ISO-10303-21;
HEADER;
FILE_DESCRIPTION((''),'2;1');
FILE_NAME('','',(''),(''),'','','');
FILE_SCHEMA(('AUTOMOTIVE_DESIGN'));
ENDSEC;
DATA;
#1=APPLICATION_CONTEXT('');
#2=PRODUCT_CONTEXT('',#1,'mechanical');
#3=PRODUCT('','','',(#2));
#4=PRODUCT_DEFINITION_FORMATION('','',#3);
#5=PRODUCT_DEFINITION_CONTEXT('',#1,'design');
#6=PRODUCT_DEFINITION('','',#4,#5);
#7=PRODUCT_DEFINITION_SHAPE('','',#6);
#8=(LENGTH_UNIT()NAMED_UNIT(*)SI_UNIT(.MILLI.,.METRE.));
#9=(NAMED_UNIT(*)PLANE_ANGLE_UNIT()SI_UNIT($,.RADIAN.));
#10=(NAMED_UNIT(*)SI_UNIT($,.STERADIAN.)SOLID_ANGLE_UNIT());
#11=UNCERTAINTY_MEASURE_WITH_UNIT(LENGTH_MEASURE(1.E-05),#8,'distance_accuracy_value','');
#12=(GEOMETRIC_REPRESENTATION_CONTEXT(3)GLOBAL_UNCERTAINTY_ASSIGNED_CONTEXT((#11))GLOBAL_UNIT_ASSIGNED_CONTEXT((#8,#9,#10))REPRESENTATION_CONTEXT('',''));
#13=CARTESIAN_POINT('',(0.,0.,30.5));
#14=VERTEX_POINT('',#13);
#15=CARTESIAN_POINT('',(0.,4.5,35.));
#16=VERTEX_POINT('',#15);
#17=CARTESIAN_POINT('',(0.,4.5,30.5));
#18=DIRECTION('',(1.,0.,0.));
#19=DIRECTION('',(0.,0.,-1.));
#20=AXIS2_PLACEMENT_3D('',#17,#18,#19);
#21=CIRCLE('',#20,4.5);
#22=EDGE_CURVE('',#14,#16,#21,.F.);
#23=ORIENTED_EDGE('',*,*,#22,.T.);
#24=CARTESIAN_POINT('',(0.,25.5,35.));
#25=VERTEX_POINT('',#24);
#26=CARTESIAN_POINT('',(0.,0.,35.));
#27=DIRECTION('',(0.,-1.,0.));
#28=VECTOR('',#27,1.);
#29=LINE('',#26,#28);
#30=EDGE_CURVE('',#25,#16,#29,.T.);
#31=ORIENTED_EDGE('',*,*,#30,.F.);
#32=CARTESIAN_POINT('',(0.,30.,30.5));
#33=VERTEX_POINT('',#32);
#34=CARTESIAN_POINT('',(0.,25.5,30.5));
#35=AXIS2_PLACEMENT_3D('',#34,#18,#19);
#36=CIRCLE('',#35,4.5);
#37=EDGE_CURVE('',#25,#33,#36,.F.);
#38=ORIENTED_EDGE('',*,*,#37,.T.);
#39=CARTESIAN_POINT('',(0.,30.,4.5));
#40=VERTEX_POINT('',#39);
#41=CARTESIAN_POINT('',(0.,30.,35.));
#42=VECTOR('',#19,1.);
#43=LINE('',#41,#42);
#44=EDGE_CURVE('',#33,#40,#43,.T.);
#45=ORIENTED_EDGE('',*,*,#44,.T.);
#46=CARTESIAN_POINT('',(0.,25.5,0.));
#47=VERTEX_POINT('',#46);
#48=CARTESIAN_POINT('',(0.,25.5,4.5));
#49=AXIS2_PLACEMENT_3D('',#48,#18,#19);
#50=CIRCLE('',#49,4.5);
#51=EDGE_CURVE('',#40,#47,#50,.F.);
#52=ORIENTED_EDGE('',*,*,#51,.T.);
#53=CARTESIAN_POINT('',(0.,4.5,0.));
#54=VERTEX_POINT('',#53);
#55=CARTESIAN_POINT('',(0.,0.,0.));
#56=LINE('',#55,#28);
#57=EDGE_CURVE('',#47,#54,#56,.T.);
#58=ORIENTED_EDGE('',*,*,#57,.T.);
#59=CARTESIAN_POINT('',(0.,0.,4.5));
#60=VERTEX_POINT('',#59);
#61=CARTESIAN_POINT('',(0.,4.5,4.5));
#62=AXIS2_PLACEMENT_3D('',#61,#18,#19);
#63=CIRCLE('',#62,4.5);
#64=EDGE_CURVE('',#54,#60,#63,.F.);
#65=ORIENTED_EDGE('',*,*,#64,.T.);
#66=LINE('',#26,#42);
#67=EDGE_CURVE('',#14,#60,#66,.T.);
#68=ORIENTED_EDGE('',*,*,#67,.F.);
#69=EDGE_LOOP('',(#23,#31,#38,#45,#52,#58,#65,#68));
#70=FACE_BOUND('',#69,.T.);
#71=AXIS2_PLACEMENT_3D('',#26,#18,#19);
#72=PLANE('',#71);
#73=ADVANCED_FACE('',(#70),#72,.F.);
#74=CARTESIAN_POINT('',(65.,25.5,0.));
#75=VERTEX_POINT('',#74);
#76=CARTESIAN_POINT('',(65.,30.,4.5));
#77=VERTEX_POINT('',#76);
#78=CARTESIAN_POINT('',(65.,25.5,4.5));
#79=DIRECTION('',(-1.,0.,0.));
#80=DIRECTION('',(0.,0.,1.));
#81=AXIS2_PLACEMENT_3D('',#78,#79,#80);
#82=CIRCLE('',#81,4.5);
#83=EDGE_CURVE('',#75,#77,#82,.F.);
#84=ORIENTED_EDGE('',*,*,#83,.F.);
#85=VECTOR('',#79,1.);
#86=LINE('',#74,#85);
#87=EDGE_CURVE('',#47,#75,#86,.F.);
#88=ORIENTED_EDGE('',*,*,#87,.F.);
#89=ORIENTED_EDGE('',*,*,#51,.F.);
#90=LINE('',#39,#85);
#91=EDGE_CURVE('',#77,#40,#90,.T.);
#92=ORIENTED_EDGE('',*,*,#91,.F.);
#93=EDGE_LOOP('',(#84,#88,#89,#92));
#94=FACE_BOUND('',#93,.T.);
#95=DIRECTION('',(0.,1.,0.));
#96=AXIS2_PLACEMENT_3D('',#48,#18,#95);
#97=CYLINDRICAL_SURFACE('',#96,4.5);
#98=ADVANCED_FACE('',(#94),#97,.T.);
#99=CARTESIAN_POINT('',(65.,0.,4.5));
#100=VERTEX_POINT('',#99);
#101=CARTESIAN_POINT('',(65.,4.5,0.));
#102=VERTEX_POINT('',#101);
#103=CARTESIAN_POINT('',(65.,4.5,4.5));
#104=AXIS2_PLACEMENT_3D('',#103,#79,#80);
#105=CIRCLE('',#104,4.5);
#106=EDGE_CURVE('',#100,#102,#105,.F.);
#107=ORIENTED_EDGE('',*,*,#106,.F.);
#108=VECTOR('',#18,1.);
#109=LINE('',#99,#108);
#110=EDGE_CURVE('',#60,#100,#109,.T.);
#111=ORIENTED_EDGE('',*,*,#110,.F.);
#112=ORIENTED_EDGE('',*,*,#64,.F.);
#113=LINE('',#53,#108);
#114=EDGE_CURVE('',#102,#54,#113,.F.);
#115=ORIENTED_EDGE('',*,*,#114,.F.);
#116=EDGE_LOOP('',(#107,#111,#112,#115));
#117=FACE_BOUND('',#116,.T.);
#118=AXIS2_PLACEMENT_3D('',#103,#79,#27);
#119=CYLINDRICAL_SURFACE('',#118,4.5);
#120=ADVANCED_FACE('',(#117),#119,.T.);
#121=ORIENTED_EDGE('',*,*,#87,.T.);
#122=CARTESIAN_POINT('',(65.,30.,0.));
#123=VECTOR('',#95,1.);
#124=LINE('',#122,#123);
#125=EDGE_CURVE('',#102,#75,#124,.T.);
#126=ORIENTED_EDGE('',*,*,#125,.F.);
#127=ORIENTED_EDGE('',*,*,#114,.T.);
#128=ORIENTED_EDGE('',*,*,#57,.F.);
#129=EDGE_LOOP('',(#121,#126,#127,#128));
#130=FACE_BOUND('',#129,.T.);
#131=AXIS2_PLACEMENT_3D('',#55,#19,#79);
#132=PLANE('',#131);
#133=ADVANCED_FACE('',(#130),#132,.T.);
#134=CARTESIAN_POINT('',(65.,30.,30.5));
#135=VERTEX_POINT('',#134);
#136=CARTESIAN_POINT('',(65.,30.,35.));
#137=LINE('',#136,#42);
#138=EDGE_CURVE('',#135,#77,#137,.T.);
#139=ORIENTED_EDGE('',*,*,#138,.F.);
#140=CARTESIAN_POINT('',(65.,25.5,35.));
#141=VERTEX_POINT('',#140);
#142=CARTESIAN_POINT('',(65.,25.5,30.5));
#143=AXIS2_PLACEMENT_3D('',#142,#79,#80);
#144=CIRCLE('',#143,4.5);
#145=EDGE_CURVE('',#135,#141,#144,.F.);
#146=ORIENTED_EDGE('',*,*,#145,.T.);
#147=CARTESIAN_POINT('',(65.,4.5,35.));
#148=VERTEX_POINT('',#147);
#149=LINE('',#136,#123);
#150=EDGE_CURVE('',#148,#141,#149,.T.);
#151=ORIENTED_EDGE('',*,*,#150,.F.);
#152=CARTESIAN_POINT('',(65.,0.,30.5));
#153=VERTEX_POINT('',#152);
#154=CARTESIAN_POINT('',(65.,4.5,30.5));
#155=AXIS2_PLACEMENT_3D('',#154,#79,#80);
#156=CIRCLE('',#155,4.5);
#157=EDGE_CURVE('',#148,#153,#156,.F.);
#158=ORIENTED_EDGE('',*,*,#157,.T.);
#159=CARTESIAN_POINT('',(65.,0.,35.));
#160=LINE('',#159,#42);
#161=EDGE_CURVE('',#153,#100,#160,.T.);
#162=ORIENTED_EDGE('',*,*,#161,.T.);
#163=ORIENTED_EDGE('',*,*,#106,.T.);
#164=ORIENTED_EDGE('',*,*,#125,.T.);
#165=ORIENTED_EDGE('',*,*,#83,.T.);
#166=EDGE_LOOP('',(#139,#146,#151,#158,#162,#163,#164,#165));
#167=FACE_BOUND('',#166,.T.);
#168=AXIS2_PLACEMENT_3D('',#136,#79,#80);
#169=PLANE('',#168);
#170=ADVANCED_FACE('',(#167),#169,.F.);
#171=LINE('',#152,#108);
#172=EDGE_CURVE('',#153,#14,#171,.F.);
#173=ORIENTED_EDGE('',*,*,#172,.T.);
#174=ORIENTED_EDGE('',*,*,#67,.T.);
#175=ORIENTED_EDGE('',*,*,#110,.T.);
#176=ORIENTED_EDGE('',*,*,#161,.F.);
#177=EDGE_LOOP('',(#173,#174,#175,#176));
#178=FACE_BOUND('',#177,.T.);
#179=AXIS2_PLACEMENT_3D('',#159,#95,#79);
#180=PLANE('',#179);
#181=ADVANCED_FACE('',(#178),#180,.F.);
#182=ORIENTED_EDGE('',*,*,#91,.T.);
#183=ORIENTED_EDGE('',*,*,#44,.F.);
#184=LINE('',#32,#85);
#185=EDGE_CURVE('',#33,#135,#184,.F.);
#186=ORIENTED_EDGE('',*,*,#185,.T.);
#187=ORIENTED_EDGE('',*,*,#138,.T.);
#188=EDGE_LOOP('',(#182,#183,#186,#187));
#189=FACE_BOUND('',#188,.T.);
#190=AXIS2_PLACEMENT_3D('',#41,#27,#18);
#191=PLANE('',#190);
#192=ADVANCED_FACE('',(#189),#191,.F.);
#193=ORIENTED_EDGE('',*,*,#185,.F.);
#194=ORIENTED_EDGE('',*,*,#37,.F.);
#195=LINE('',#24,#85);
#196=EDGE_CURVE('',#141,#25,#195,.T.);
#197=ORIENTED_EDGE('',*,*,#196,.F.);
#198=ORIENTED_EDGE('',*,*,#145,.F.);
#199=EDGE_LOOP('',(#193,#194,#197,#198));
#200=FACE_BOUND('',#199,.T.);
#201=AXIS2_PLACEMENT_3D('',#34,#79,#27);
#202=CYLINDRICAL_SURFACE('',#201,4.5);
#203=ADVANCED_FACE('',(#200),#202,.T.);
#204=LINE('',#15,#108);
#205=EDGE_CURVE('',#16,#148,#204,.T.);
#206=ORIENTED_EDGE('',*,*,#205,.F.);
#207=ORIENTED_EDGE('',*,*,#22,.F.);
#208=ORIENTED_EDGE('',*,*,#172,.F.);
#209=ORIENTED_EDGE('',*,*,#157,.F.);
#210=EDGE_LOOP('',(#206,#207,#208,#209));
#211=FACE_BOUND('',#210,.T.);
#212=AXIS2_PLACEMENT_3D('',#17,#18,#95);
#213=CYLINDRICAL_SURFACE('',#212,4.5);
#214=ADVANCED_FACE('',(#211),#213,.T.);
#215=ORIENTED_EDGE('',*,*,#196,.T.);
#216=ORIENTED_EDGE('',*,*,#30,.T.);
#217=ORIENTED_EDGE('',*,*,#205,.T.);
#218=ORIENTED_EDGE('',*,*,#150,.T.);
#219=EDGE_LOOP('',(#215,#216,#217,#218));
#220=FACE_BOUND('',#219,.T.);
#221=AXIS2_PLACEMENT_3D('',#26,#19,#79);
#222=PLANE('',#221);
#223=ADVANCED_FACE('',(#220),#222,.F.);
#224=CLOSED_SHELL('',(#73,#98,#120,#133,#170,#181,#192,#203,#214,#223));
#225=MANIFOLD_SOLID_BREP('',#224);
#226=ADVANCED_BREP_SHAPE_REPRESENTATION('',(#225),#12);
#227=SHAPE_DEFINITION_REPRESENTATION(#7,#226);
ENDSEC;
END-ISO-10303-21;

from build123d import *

# Parameters (mm, degrees)
SKETCH1_W           = 65
SKETCH1_H           = 30
BOSS_EXTRUDE2_DEPTH = 35
FILLET2_R           = 4.5


with BuildPart() as part:
    # Sketch1 → Boss-Extrude2 (new body)
    with BuildSketch(Plane.XY):
        with Locations((32.5, 15)):
            Rectangle(SKETCH1_W, SKETCH1_H)
    extrude(amount=BOSS_EXTRUDE2_DEPTH)

    # Fillet2
    fillet2_edges = [part.edges().sort_by_distance(p)[0] for p in [
        (32.5, 30, 35),
        (32.5, 0, 35),
        (32.5, 30, 0),
        (32.5, 0, 0),
    ]]
    fillet(fillet2_edges, radius=FILLET2_R)


solid = part.part
